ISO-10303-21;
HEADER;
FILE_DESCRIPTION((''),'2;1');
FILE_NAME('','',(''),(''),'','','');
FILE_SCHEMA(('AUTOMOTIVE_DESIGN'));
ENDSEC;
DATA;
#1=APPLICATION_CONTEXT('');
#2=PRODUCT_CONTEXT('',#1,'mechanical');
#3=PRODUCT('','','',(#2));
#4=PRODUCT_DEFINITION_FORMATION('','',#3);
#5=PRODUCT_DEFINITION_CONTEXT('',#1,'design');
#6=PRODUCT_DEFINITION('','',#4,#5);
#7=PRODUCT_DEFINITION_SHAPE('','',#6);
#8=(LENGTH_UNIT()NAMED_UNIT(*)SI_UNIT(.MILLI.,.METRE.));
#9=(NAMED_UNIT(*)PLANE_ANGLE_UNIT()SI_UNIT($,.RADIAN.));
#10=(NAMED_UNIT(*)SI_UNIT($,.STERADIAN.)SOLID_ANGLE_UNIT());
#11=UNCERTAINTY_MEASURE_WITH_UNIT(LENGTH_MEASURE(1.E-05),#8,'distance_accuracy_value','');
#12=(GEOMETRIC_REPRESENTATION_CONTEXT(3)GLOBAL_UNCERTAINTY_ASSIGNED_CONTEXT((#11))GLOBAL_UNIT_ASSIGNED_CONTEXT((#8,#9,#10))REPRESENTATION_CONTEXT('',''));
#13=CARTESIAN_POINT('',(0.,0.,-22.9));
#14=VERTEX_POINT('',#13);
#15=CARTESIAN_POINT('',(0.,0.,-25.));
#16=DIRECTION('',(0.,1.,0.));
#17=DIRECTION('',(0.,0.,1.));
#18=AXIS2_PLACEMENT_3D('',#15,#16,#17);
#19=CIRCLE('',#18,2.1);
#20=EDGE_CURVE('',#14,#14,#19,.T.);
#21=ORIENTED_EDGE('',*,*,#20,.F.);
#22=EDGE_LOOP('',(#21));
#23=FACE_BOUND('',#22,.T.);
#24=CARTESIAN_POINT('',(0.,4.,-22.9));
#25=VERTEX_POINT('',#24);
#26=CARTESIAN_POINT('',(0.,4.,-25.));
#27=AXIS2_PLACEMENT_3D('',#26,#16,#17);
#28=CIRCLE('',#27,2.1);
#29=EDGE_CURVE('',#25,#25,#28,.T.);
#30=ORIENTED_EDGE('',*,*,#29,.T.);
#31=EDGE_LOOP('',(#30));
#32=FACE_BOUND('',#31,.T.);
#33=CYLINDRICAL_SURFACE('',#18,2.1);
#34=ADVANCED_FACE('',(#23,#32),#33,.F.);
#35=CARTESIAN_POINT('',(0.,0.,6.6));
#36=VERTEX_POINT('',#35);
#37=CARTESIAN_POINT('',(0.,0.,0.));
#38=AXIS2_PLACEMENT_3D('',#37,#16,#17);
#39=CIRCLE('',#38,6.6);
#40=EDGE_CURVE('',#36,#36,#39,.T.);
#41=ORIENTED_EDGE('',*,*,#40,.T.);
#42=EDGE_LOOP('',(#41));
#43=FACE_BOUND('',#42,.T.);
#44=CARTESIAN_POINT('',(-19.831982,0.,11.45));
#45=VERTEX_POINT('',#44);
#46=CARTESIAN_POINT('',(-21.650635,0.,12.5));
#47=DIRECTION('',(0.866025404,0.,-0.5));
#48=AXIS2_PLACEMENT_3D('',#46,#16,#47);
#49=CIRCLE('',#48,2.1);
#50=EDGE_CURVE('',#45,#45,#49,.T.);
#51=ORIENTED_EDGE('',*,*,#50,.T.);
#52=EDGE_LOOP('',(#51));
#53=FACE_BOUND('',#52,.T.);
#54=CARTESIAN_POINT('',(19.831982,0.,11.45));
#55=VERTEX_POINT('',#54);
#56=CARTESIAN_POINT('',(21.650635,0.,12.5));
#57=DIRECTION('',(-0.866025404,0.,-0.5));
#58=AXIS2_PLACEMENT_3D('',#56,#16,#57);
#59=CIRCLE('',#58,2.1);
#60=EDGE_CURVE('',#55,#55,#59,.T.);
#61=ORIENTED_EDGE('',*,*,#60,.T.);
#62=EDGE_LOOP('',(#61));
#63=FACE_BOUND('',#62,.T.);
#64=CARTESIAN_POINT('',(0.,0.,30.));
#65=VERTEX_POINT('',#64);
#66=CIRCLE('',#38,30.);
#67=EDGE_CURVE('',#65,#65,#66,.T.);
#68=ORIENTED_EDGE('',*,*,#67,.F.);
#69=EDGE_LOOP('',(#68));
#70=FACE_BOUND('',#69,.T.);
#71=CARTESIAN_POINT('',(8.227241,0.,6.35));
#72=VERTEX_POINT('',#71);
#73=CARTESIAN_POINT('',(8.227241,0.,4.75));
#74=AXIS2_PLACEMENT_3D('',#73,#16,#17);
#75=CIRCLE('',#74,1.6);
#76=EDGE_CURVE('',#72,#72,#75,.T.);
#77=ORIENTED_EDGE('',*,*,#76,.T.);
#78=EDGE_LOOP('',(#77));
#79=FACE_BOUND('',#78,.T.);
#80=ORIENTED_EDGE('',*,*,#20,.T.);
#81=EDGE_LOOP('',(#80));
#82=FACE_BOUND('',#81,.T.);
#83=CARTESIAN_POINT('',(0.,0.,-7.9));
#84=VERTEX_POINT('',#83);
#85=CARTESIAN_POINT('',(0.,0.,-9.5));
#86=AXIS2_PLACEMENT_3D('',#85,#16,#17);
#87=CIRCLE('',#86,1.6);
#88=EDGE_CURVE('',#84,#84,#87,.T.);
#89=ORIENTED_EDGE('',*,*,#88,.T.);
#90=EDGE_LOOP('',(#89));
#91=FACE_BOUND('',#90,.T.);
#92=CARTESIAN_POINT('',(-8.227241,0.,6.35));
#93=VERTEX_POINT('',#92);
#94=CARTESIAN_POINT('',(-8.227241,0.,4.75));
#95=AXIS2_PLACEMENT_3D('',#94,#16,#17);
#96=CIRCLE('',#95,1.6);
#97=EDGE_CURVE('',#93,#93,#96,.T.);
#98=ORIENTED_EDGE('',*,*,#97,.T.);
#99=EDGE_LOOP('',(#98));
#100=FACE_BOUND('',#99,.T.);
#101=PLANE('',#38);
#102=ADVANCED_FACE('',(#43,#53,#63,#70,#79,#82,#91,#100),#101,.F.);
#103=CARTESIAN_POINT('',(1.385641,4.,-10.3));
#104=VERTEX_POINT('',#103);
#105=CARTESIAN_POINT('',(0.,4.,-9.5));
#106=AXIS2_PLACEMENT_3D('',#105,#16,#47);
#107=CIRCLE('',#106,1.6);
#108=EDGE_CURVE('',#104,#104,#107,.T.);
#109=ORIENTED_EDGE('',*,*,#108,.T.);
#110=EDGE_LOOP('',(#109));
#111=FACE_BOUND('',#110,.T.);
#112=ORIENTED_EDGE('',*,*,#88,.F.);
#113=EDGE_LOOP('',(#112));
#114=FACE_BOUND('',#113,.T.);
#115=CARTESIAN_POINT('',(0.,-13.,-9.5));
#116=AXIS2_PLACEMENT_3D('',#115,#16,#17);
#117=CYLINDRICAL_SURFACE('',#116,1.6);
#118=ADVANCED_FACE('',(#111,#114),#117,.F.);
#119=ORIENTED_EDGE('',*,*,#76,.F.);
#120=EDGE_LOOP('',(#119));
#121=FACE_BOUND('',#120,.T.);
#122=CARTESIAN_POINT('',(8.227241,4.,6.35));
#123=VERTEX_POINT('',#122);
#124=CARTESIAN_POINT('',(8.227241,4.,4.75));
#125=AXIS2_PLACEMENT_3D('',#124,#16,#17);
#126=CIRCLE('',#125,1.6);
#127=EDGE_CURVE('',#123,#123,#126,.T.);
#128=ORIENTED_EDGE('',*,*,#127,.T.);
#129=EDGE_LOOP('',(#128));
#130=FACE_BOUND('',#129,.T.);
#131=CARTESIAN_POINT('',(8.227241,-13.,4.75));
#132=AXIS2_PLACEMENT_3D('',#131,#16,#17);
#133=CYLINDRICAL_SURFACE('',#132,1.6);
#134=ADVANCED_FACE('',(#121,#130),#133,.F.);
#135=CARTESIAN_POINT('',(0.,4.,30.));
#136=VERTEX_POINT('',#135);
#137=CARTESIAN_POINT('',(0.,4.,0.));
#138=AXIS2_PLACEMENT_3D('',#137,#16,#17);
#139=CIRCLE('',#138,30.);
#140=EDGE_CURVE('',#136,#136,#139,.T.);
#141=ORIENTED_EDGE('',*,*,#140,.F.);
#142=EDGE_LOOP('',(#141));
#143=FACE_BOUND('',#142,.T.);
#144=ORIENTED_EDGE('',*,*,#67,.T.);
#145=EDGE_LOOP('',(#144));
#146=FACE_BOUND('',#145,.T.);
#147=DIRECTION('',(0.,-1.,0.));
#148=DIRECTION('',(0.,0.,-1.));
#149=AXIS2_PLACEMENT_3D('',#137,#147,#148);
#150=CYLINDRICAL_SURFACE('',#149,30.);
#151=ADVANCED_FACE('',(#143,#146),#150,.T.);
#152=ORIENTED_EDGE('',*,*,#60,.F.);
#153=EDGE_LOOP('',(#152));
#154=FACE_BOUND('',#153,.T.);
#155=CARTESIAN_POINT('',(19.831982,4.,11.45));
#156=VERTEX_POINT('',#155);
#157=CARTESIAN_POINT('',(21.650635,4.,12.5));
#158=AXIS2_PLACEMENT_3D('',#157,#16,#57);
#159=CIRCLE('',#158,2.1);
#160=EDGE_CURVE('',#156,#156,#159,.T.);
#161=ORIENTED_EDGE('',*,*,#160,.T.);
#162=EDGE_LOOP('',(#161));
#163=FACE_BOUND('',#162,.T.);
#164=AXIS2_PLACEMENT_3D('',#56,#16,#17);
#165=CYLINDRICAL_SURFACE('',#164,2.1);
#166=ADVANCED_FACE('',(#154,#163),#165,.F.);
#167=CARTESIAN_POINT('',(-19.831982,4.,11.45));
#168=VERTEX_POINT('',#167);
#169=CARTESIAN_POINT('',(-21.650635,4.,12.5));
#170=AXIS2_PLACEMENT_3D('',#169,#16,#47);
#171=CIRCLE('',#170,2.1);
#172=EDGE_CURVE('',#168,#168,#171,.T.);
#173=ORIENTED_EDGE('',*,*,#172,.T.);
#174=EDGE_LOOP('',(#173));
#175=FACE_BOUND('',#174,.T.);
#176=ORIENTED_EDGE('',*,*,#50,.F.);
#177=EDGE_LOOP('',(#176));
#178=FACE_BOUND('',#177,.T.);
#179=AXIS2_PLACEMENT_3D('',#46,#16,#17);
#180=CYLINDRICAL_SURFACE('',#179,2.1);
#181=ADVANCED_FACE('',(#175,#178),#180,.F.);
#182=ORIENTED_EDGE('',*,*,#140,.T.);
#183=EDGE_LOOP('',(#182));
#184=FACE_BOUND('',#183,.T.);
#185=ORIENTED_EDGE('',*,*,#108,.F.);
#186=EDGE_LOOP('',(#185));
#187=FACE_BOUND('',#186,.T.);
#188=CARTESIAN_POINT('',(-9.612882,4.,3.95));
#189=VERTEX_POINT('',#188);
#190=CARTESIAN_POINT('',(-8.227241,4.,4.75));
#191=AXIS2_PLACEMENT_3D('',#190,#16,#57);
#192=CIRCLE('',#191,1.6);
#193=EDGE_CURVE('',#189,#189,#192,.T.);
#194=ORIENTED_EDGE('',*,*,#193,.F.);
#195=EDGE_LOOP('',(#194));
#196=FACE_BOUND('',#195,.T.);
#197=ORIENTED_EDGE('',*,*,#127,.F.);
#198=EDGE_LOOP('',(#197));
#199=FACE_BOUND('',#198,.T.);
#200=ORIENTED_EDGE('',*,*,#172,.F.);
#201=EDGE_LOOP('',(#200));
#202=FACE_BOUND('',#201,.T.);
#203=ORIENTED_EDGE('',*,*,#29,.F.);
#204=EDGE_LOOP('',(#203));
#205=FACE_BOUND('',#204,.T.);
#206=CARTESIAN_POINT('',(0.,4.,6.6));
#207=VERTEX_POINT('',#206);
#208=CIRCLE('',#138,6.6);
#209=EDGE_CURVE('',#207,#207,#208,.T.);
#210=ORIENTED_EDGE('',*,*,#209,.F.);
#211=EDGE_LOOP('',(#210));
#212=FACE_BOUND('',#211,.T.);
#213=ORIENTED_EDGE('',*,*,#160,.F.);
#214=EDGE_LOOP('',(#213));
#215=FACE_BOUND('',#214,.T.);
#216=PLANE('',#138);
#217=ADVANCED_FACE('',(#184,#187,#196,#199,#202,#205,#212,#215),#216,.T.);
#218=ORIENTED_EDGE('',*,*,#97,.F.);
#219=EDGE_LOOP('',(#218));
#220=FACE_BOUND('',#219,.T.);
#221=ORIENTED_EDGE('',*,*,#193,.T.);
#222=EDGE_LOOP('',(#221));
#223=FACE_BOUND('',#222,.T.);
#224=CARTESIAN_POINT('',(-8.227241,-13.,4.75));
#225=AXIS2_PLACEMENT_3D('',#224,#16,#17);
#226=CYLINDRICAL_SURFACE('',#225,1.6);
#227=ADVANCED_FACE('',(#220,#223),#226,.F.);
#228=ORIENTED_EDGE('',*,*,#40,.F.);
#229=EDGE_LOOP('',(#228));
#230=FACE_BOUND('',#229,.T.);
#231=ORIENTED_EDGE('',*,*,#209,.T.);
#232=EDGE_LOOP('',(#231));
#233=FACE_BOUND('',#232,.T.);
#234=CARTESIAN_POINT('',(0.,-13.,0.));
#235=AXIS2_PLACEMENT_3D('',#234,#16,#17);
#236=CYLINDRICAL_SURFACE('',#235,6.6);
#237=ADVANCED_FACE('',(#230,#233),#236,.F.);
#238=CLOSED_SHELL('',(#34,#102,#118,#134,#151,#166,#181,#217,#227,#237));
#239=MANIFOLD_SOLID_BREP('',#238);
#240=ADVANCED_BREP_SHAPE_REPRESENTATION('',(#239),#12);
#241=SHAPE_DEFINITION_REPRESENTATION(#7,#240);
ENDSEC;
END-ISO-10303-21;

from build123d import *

# Parameters (mm, degrees)
SKETCH_1_R               = 30
EXTRUDE_1_DEPTH          = 4
SKETCH_2_R               = 2.1
CUT_EXTRUDE_1_DEPTH      = 4
PATTERN_CIRCULAR_1_COUNT = 3
SKETCH_3_R               = 6.6
CUT_EXTRUDE_2_DEPTH      = 17
SKETCH_4_R               = 1.6
CUT_EXTRUDE_3_DEPTH      = 17
PATTERN_CIRCULAR_2_COUNT = 3


with BuildPart() as part:
    # 草图1 → 凸台-拉伸1 (new body)
    with BuildSketch(Plane(origin=(0, 0, 0), x_dir=(1, 0, 0), z_dir=(0, 1, 0))):
        with Locations(Location((0, 0, 0), (0, 0, 270))):
            Circle(SKETCH_1_R)
    extrude(amount=EXTRUDE_1_DEPTH)

    # 草图2 → 切除-拉伸1 (cut)
    with BuildSketch(Plane(origin=(0, 4, 0), x_dir=(1, 0, 0), z_dir=(0, 1, 0))):
        with Locations(Location((0, 25, 0), (0, 0, 270))):
            Circle(SKETCH_2_R)
    cut_extrude_1 = extrude(amount=-CUT_EXTRUDE_1_DEPTH, mode=Mode.SUBTRACT)

    # 阵列(圆周)1: 切除-拉伸1 ×3 about axis
    pattern_circular_1_axis = Axis((0, 0, 0), (0, 1, 0))
    for i in range(1, PATTERN_CIRCULAR_1_COUNT):
        add(cut_extrude_1.rotate(pattern_circular_1_axis, i * 360 / PATTERN_CIRCULAR_1_COUNT), mode=Mode.SUBTRACT)

    # 草图3 → 切除-拉伸2 (cut)
    with BuildSketch(Plane(origin=(0, 4, 0), x_dir=(1, 0, 0), z_dir=(0, 1, 0))):
        with Locations(Location((0, 0, 0), (0, 0, 270))):
            Circle(SKETCH_3_R)
    extrude(amount=-CUT_EXTRUDE_2_DEPTH, mode=Mode.SUBTRACT)

    # 草图4 → 切除-拉伸3 (cut)
    with BuildSketch(Plane(origin=(0, 4, 0), x_dir=(1, 0, 0), z_dir=(0, 1, 0))):
        with Locations(Location((8.227241336, -4.75, 0), (0, 0, 270))):
            Circle(SKETCH_4_R)
    cut_extrude_3 = extrude(amount=-CUT_EXTRUDE_3_DEPTH, mode=Mode.SUBTRACT)

    # 阵列(圆周)2: 切除-拉伸3 ×3 about axis
    pattern_circular_2_axis = Axis((0, 0, 0), (0, 1, 0))
    for i in range(1, PATTERN_CIRCULAR_2_COUNT):
        add(cut_extrude_3.rotate(pattern_circular_2_axis, i * 360 / PATTERN_CIRCULAR_2_COUNT), mode=Mode.SUBTRACT)


solid = part.part
